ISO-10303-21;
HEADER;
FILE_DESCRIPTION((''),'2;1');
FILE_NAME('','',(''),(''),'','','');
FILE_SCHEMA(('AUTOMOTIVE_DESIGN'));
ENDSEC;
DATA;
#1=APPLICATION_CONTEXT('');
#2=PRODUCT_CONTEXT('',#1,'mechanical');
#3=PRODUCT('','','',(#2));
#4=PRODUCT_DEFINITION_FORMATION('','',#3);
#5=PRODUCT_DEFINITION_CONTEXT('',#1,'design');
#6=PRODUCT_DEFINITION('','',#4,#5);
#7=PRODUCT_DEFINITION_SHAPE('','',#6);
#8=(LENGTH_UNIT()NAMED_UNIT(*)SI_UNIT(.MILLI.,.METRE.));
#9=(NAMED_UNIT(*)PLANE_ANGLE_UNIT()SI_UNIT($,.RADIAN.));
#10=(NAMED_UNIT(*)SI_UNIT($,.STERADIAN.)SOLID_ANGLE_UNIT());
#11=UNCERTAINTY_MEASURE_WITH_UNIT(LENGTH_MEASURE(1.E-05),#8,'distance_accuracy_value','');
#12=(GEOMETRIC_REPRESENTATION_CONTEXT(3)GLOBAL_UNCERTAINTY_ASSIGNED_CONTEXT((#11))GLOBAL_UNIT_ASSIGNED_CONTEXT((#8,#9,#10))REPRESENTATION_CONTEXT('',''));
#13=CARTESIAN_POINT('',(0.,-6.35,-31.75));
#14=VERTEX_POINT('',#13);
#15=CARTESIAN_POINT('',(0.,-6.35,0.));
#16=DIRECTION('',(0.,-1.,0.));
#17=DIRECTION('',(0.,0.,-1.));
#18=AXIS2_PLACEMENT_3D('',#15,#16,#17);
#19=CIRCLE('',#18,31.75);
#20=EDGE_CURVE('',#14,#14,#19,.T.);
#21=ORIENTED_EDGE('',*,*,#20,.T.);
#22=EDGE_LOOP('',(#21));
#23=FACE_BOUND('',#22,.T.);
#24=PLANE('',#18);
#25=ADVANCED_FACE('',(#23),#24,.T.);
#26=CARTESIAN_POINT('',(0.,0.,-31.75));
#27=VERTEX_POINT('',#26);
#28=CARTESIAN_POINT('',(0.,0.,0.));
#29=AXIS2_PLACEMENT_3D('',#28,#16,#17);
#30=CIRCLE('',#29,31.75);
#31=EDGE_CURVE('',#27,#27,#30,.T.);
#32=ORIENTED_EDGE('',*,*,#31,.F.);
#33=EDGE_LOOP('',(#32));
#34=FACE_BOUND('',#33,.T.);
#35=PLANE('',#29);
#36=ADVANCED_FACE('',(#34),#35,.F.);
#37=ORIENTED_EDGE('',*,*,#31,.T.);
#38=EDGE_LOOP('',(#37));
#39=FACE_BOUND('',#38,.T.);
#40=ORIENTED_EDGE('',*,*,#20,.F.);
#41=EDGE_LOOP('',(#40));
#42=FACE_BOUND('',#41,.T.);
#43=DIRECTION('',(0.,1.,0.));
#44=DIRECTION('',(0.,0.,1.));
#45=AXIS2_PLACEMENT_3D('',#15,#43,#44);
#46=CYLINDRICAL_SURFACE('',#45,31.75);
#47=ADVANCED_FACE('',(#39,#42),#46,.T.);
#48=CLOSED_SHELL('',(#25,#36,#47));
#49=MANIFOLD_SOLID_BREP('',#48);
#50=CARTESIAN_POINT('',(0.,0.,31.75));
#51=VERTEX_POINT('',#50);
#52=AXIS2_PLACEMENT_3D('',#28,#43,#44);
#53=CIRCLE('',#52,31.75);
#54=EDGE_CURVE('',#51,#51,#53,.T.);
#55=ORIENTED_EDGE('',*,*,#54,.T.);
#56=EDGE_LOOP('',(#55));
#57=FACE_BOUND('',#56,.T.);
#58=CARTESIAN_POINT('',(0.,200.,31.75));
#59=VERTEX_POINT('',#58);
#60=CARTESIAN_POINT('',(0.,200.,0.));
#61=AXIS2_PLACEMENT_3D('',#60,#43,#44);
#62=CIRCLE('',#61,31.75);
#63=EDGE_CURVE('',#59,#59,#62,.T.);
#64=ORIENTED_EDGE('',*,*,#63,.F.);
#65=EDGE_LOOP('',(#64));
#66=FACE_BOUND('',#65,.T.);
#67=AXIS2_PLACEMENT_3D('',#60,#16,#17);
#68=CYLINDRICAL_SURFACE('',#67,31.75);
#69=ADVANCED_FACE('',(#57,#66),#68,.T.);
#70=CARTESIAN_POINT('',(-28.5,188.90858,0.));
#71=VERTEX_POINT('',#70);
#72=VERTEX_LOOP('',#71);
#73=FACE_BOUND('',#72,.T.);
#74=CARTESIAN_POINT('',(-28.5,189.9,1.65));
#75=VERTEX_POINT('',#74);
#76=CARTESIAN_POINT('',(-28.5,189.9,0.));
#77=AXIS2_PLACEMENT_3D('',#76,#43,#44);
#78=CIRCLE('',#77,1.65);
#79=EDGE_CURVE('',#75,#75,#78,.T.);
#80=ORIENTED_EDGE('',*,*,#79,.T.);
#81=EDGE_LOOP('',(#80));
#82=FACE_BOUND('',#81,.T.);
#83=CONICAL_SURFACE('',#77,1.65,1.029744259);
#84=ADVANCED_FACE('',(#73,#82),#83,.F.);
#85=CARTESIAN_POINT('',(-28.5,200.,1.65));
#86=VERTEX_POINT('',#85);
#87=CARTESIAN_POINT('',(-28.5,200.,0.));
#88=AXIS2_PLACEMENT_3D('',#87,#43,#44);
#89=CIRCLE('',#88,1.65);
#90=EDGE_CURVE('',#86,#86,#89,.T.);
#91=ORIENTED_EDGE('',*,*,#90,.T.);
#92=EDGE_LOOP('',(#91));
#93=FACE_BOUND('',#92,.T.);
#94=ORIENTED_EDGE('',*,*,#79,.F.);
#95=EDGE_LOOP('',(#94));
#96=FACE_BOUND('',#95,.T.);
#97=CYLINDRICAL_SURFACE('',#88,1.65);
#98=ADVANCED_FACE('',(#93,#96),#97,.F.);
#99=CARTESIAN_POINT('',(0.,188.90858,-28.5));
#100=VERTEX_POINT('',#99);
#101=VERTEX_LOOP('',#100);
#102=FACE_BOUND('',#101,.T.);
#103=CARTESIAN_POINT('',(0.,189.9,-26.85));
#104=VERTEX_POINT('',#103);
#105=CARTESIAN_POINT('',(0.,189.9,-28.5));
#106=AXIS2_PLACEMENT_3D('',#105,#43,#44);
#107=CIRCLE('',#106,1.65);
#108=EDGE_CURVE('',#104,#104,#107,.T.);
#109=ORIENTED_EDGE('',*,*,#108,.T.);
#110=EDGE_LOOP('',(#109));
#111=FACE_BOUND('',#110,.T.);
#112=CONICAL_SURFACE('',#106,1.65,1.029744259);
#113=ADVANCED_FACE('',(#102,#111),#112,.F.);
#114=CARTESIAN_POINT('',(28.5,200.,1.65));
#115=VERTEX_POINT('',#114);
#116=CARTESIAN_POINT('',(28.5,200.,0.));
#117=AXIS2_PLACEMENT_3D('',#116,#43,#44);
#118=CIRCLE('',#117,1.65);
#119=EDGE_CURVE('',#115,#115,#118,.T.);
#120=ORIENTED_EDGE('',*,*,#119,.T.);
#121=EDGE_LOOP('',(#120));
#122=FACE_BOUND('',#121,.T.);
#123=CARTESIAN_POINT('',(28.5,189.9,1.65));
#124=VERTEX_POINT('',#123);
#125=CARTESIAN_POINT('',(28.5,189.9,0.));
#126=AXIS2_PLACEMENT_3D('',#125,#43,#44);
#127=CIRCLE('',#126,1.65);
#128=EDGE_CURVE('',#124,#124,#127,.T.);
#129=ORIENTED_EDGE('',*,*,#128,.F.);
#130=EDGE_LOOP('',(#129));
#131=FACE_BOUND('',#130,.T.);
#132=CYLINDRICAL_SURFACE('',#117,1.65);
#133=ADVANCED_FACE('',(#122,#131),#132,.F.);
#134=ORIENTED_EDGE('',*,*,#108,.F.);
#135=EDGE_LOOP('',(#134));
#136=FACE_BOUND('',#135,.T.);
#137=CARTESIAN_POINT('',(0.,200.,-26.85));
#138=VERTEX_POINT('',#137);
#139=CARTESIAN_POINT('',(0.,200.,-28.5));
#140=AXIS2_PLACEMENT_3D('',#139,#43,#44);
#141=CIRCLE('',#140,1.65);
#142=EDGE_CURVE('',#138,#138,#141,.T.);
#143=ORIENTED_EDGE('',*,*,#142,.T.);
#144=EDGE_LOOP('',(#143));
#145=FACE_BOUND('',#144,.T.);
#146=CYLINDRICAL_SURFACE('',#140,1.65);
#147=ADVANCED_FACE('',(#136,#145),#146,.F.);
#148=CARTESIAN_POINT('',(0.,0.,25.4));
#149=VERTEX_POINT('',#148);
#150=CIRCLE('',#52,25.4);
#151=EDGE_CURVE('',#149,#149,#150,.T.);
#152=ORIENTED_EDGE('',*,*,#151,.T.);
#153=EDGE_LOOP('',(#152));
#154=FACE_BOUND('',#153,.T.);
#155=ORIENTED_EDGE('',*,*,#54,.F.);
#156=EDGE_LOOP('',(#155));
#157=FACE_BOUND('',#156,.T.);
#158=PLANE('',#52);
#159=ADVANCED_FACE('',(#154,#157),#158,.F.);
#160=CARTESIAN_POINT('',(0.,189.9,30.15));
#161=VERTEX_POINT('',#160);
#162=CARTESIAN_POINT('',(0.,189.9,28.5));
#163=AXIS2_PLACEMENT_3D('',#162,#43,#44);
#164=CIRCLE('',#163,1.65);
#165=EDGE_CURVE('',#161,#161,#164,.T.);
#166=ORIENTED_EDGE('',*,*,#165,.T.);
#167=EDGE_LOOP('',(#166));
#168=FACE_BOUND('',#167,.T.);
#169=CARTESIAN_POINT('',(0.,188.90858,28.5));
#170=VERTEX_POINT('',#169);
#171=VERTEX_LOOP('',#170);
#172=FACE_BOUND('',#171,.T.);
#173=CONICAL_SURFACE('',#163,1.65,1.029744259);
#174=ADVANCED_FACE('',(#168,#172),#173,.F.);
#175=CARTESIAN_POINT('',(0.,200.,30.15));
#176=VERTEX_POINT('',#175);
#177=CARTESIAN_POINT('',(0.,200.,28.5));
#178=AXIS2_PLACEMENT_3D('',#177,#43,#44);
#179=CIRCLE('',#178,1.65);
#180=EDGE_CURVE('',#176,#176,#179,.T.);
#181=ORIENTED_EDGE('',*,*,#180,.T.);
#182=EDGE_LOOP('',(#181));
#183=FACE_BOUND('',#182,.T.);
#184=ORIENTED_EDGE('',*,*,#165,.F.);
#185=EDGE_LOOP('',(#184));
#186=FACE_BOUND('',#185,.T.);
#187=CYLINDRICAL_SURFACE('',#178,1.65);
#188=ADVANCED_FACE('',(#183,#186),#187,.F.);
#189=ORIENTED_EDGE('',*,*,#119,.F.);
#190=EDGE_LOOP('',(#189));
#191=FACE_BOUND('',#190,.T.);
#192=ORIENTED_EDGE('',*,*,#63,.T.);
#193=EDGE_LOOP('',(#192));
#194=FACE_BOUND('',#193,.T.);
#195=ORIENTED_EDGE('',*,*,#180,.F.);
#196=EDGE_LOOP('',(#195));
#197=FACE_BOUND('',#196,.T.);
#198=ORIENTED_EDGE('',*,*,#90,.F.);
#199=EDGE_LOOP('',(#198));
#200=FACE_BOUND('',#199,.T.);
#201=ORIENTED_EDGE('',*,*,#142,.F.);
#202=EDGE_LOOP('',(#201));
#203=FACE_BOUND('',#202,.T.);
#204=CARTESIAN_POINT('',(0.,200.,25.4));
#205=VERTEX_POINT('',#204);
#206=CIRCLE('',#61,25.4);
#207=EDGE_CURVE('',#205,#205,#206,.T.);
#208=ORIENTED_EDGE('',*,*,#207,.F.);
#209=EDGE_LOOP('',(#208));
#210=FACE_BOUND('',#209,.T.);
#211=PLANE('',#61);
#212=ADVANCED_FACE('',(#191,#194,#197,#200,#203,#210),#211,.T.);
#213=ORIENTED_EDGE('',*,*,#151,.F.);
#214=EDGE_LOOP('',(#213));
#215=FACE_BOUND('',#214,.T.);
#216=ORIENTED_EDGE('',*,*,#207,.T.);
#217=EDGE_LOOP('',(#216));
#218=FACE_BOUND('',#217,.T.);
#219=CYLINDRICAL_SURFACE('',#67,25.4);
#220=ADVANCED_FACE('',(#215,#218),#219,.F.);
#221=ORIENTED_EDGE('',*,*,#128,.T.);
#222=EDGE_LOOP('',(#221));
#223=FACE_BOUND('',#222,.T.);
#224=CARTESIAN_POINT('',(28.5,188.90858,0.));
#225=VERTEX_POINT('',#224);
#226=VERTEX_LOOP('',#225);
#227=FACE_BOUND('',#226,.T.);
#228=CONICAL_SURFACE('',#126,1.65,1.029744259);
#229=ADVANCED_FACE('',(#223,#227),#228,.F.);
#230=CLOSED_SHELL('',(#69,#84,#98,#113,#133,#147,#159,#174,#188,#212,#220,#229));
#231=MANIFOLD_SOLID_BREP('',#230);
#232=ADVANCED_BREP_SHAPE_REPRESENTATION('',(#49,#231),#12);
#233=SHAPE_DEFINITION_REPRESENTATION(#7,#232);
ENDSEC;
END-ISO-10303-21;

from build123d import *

# Parameters (mm, degrees)
SKETCH1_R                      = 31.75
SKETCH1_R_2                    = 25.4
BOSS_EXTRUDE1_DEPTH            = 200
SKETCH2_R                      = 31.75
BOSS_EXTRUDE2_DEPTH            = 6.35
M4X0_7_TAPPED_HOLE1_AT_2_COUNT = 2
M4X0_7_TAPPED_HOLE1_AT_2_PITCH = 40.305086528
M4X0_7_TAPPED_HOLE1_AT_3_COUNT = 2
M4X0_7_TAPPED_HOLE1_AT_3_PITCH = 57
M4X0_7_TAPPED_HOLE1_AT_4_COUNT = 2
M4X0_7_TAPPED_HOLE1_AT_4_PITCH = 40.305086528


with BuildPart() as part:
    # Sketch1 → Boss-Extrude1 (new body)
    with BuildSketch(Plane(origin=(0, 0, 0), x_dir=(1, 0, 0), z_dir=(0, 1, 0))):
        with Locations(Location((0, 0, 0), (0, 0, 270))):
            Circle(SKETCH1_R)
        with Locations(Location((0, 0, 0), (0, 0, 270))):
            Circle(SKETCH1_R_2, mode=Mode.SUBTRACT)
    extrude(amount=BOSS_EXTRUDE1_DEPTH)

    # Sketch3 → M4x0.7 Tapped Hole1 (revolve, cut)
    with BuildSketch(Plane(origin=(0, 200, -28.5), x_dir=(0, 0, 1), z_dir=(1, 0, 0))):
        Polygon((0, 0), (0, 11.091420021), (1.65, 10.1), (1.65, 0), align=None)
    m4x0_7_tapped_hole1 = revolve(axis=Axis((0, 206.35, -28.5), (0, -1, 0)), mode=Mode.SUBTRACT)

    # M4x0.7 Tapped Hole1 at 2: M4x0.7 Tapped Hole1 ×2
    with Locations(*[Vector(0.7071067811865476, 0, 0.7071067811865476) * (i * M4X0_7_TAPPED_HOLE1_AT_2_PITCH) for i in range(1, M4X0_7_TAPPED_HOLE1_AT_2_COUNT)]):
        add(m4x0_7_tapped_hole1, mode=Mode.SUBTRACT)

    # M4x0.7 Tapped Hole1 at 3: M4x0.7 Tapped Hole1 ×2
    with Locations(*[(0, 0, i * M4X0_7_TAPPED_HOLE1_AT_3_PITCH) for i in range(1, M4X0_7_TAPPED_HOLE1_AT_3_COUNT)]):
        add(m4x0_7_tapped_hole1, mode=Mode.SUBTRACT)

    # M4x0.7 Tapped Hole1 at 4: M4x0.7 Tapped Hole1 ×2
    with Locations(*[Vector(-0.7071067811865476, 0, 0.7071067811865476) * (i * M4X0_7_TAPPED_HOLE1_AT_4_PITCH) for i in range(1, M4X0_7_TAPPED_HOLE1_AT_4_COUNT)]):
        add(m4x0_7_tapped_hole1, mode=Mode.SUBTRACT)


with BuildPart() as body_2:
    # Sketch2 → Boss-Extrude2 (new body)
    with BuildSketch(Plane.XZ):
        with Locations(Location((0, 0, 0), (0, 0, 270))):
            Circle(SKETCH2_R)
    extrude(amount=BOSS_EXTRUDE2_DEPTH)


solid = Compound([part.part, body_2.part])
